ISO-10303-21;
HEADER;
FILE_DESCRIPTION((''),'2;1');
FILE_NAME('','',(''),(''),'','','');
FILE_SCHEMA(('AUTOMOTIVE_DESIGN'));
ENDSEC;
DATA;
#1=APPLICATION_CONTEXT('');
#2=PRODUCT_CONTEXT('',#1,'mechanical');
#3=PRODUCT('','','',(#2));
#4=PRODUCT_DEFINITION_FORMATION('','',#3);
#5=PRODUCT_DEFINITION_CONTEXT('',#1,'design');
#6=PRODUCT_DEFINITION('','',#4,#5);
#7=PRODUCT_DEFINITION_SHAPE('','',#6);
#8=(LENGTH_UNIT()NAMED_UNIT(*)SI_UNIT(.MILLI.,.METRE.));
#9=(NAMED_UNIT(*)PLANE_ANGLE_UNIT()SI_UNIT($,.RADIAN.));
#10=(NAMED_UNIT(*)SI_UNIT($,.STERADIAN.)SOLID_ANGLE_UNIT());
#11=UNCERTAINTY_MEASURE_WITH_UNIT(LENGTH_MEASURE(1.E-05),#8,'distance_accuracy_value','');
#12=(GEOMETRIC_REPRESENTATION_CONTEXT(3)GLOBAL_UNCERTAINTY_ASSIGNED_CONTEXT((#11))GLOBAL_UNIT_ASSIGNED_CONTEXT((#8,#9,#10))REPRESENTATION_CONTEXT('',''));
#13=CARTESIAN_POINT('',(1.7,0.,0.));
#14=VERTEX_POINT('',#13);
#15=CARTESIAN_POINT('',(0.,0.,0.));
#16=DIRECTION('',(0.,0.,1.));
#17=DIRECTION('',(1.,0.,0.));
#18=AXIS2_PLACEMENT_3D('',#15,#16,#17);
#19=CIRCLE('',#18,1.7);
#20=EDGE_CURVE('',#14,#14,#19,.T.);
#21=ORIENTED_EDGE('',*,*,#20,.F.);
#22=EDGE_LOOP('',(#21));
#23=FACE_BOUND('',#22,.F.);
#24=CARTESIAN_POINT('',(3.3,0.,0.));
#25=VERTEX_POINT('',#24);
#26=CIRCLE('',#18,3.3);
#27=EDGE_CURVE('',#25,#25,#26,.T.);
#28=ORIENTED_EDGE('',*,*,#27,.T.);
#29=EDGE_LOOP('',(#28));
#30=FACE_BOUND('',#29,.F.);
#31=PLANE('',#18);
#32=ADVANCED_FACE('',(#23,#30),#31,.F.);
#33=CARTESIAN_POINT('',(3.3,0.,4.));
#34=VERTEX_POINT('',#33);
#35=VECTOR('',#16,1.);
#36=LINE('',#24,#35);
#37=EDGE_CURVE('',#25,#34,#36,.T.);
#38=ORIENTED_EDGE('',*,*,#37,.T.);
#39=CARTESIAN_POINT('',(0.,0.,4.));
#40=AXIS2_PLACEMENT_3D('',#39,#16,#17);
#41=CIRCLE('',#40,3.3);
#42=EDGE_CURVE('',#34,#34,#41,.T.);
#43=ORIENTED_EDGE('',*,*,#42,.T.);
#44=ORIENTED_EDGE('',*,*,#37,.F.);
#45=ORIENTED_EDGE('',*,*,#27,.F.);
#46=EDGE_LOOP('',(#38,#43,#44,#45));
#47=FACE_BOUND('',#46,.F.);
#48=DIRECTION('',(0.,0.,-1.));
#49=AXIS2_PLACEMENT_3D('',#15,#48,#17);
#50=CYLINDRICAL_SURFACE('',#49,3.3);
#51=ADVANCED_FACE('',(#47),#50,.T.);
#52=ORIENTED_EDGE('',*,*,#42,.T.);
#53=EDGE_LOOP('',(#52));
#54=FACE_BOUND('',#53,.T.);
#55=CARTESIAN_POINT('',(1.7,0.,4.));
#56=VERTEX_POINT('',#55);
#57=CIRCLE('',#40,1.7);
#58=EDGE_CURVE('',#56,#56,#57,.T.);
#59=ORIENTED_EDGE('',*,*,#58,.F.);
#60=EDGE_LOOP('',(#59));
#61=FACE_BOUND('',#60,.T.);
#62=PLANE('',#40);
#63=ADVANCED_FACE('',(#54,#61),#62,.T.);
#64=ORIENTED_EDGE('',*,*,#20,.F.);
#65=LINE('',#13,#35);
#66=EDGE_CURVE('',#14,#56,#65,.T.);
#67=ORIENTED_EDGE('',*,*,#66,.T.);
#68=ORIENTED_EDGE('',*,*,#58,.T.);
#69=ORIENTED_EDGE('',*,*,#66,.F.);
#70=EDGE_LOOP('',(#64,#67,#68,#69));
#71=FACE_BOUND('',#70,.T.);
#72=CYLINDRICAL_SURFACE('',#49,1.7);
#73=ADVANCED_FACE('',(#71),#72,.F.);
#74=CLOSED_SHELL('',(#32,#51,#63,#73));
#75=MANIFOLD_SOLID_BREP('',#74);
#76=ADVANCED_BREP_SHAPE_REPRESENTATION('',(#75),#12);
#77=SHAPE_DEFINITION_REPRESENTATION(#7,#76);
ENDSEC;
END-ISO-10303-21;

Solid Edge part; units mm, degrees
sketch "Sketch1" plane through (0, 0, 0) normal (0, 0, 1) x (1, 0, 0)
  circle A0 centre (0, 0) radius 3.3
  circle A1 centre (0, 0) radius 1.7
extrude "Protrusion1" add sketch "Sketch1" along normal blind 4
